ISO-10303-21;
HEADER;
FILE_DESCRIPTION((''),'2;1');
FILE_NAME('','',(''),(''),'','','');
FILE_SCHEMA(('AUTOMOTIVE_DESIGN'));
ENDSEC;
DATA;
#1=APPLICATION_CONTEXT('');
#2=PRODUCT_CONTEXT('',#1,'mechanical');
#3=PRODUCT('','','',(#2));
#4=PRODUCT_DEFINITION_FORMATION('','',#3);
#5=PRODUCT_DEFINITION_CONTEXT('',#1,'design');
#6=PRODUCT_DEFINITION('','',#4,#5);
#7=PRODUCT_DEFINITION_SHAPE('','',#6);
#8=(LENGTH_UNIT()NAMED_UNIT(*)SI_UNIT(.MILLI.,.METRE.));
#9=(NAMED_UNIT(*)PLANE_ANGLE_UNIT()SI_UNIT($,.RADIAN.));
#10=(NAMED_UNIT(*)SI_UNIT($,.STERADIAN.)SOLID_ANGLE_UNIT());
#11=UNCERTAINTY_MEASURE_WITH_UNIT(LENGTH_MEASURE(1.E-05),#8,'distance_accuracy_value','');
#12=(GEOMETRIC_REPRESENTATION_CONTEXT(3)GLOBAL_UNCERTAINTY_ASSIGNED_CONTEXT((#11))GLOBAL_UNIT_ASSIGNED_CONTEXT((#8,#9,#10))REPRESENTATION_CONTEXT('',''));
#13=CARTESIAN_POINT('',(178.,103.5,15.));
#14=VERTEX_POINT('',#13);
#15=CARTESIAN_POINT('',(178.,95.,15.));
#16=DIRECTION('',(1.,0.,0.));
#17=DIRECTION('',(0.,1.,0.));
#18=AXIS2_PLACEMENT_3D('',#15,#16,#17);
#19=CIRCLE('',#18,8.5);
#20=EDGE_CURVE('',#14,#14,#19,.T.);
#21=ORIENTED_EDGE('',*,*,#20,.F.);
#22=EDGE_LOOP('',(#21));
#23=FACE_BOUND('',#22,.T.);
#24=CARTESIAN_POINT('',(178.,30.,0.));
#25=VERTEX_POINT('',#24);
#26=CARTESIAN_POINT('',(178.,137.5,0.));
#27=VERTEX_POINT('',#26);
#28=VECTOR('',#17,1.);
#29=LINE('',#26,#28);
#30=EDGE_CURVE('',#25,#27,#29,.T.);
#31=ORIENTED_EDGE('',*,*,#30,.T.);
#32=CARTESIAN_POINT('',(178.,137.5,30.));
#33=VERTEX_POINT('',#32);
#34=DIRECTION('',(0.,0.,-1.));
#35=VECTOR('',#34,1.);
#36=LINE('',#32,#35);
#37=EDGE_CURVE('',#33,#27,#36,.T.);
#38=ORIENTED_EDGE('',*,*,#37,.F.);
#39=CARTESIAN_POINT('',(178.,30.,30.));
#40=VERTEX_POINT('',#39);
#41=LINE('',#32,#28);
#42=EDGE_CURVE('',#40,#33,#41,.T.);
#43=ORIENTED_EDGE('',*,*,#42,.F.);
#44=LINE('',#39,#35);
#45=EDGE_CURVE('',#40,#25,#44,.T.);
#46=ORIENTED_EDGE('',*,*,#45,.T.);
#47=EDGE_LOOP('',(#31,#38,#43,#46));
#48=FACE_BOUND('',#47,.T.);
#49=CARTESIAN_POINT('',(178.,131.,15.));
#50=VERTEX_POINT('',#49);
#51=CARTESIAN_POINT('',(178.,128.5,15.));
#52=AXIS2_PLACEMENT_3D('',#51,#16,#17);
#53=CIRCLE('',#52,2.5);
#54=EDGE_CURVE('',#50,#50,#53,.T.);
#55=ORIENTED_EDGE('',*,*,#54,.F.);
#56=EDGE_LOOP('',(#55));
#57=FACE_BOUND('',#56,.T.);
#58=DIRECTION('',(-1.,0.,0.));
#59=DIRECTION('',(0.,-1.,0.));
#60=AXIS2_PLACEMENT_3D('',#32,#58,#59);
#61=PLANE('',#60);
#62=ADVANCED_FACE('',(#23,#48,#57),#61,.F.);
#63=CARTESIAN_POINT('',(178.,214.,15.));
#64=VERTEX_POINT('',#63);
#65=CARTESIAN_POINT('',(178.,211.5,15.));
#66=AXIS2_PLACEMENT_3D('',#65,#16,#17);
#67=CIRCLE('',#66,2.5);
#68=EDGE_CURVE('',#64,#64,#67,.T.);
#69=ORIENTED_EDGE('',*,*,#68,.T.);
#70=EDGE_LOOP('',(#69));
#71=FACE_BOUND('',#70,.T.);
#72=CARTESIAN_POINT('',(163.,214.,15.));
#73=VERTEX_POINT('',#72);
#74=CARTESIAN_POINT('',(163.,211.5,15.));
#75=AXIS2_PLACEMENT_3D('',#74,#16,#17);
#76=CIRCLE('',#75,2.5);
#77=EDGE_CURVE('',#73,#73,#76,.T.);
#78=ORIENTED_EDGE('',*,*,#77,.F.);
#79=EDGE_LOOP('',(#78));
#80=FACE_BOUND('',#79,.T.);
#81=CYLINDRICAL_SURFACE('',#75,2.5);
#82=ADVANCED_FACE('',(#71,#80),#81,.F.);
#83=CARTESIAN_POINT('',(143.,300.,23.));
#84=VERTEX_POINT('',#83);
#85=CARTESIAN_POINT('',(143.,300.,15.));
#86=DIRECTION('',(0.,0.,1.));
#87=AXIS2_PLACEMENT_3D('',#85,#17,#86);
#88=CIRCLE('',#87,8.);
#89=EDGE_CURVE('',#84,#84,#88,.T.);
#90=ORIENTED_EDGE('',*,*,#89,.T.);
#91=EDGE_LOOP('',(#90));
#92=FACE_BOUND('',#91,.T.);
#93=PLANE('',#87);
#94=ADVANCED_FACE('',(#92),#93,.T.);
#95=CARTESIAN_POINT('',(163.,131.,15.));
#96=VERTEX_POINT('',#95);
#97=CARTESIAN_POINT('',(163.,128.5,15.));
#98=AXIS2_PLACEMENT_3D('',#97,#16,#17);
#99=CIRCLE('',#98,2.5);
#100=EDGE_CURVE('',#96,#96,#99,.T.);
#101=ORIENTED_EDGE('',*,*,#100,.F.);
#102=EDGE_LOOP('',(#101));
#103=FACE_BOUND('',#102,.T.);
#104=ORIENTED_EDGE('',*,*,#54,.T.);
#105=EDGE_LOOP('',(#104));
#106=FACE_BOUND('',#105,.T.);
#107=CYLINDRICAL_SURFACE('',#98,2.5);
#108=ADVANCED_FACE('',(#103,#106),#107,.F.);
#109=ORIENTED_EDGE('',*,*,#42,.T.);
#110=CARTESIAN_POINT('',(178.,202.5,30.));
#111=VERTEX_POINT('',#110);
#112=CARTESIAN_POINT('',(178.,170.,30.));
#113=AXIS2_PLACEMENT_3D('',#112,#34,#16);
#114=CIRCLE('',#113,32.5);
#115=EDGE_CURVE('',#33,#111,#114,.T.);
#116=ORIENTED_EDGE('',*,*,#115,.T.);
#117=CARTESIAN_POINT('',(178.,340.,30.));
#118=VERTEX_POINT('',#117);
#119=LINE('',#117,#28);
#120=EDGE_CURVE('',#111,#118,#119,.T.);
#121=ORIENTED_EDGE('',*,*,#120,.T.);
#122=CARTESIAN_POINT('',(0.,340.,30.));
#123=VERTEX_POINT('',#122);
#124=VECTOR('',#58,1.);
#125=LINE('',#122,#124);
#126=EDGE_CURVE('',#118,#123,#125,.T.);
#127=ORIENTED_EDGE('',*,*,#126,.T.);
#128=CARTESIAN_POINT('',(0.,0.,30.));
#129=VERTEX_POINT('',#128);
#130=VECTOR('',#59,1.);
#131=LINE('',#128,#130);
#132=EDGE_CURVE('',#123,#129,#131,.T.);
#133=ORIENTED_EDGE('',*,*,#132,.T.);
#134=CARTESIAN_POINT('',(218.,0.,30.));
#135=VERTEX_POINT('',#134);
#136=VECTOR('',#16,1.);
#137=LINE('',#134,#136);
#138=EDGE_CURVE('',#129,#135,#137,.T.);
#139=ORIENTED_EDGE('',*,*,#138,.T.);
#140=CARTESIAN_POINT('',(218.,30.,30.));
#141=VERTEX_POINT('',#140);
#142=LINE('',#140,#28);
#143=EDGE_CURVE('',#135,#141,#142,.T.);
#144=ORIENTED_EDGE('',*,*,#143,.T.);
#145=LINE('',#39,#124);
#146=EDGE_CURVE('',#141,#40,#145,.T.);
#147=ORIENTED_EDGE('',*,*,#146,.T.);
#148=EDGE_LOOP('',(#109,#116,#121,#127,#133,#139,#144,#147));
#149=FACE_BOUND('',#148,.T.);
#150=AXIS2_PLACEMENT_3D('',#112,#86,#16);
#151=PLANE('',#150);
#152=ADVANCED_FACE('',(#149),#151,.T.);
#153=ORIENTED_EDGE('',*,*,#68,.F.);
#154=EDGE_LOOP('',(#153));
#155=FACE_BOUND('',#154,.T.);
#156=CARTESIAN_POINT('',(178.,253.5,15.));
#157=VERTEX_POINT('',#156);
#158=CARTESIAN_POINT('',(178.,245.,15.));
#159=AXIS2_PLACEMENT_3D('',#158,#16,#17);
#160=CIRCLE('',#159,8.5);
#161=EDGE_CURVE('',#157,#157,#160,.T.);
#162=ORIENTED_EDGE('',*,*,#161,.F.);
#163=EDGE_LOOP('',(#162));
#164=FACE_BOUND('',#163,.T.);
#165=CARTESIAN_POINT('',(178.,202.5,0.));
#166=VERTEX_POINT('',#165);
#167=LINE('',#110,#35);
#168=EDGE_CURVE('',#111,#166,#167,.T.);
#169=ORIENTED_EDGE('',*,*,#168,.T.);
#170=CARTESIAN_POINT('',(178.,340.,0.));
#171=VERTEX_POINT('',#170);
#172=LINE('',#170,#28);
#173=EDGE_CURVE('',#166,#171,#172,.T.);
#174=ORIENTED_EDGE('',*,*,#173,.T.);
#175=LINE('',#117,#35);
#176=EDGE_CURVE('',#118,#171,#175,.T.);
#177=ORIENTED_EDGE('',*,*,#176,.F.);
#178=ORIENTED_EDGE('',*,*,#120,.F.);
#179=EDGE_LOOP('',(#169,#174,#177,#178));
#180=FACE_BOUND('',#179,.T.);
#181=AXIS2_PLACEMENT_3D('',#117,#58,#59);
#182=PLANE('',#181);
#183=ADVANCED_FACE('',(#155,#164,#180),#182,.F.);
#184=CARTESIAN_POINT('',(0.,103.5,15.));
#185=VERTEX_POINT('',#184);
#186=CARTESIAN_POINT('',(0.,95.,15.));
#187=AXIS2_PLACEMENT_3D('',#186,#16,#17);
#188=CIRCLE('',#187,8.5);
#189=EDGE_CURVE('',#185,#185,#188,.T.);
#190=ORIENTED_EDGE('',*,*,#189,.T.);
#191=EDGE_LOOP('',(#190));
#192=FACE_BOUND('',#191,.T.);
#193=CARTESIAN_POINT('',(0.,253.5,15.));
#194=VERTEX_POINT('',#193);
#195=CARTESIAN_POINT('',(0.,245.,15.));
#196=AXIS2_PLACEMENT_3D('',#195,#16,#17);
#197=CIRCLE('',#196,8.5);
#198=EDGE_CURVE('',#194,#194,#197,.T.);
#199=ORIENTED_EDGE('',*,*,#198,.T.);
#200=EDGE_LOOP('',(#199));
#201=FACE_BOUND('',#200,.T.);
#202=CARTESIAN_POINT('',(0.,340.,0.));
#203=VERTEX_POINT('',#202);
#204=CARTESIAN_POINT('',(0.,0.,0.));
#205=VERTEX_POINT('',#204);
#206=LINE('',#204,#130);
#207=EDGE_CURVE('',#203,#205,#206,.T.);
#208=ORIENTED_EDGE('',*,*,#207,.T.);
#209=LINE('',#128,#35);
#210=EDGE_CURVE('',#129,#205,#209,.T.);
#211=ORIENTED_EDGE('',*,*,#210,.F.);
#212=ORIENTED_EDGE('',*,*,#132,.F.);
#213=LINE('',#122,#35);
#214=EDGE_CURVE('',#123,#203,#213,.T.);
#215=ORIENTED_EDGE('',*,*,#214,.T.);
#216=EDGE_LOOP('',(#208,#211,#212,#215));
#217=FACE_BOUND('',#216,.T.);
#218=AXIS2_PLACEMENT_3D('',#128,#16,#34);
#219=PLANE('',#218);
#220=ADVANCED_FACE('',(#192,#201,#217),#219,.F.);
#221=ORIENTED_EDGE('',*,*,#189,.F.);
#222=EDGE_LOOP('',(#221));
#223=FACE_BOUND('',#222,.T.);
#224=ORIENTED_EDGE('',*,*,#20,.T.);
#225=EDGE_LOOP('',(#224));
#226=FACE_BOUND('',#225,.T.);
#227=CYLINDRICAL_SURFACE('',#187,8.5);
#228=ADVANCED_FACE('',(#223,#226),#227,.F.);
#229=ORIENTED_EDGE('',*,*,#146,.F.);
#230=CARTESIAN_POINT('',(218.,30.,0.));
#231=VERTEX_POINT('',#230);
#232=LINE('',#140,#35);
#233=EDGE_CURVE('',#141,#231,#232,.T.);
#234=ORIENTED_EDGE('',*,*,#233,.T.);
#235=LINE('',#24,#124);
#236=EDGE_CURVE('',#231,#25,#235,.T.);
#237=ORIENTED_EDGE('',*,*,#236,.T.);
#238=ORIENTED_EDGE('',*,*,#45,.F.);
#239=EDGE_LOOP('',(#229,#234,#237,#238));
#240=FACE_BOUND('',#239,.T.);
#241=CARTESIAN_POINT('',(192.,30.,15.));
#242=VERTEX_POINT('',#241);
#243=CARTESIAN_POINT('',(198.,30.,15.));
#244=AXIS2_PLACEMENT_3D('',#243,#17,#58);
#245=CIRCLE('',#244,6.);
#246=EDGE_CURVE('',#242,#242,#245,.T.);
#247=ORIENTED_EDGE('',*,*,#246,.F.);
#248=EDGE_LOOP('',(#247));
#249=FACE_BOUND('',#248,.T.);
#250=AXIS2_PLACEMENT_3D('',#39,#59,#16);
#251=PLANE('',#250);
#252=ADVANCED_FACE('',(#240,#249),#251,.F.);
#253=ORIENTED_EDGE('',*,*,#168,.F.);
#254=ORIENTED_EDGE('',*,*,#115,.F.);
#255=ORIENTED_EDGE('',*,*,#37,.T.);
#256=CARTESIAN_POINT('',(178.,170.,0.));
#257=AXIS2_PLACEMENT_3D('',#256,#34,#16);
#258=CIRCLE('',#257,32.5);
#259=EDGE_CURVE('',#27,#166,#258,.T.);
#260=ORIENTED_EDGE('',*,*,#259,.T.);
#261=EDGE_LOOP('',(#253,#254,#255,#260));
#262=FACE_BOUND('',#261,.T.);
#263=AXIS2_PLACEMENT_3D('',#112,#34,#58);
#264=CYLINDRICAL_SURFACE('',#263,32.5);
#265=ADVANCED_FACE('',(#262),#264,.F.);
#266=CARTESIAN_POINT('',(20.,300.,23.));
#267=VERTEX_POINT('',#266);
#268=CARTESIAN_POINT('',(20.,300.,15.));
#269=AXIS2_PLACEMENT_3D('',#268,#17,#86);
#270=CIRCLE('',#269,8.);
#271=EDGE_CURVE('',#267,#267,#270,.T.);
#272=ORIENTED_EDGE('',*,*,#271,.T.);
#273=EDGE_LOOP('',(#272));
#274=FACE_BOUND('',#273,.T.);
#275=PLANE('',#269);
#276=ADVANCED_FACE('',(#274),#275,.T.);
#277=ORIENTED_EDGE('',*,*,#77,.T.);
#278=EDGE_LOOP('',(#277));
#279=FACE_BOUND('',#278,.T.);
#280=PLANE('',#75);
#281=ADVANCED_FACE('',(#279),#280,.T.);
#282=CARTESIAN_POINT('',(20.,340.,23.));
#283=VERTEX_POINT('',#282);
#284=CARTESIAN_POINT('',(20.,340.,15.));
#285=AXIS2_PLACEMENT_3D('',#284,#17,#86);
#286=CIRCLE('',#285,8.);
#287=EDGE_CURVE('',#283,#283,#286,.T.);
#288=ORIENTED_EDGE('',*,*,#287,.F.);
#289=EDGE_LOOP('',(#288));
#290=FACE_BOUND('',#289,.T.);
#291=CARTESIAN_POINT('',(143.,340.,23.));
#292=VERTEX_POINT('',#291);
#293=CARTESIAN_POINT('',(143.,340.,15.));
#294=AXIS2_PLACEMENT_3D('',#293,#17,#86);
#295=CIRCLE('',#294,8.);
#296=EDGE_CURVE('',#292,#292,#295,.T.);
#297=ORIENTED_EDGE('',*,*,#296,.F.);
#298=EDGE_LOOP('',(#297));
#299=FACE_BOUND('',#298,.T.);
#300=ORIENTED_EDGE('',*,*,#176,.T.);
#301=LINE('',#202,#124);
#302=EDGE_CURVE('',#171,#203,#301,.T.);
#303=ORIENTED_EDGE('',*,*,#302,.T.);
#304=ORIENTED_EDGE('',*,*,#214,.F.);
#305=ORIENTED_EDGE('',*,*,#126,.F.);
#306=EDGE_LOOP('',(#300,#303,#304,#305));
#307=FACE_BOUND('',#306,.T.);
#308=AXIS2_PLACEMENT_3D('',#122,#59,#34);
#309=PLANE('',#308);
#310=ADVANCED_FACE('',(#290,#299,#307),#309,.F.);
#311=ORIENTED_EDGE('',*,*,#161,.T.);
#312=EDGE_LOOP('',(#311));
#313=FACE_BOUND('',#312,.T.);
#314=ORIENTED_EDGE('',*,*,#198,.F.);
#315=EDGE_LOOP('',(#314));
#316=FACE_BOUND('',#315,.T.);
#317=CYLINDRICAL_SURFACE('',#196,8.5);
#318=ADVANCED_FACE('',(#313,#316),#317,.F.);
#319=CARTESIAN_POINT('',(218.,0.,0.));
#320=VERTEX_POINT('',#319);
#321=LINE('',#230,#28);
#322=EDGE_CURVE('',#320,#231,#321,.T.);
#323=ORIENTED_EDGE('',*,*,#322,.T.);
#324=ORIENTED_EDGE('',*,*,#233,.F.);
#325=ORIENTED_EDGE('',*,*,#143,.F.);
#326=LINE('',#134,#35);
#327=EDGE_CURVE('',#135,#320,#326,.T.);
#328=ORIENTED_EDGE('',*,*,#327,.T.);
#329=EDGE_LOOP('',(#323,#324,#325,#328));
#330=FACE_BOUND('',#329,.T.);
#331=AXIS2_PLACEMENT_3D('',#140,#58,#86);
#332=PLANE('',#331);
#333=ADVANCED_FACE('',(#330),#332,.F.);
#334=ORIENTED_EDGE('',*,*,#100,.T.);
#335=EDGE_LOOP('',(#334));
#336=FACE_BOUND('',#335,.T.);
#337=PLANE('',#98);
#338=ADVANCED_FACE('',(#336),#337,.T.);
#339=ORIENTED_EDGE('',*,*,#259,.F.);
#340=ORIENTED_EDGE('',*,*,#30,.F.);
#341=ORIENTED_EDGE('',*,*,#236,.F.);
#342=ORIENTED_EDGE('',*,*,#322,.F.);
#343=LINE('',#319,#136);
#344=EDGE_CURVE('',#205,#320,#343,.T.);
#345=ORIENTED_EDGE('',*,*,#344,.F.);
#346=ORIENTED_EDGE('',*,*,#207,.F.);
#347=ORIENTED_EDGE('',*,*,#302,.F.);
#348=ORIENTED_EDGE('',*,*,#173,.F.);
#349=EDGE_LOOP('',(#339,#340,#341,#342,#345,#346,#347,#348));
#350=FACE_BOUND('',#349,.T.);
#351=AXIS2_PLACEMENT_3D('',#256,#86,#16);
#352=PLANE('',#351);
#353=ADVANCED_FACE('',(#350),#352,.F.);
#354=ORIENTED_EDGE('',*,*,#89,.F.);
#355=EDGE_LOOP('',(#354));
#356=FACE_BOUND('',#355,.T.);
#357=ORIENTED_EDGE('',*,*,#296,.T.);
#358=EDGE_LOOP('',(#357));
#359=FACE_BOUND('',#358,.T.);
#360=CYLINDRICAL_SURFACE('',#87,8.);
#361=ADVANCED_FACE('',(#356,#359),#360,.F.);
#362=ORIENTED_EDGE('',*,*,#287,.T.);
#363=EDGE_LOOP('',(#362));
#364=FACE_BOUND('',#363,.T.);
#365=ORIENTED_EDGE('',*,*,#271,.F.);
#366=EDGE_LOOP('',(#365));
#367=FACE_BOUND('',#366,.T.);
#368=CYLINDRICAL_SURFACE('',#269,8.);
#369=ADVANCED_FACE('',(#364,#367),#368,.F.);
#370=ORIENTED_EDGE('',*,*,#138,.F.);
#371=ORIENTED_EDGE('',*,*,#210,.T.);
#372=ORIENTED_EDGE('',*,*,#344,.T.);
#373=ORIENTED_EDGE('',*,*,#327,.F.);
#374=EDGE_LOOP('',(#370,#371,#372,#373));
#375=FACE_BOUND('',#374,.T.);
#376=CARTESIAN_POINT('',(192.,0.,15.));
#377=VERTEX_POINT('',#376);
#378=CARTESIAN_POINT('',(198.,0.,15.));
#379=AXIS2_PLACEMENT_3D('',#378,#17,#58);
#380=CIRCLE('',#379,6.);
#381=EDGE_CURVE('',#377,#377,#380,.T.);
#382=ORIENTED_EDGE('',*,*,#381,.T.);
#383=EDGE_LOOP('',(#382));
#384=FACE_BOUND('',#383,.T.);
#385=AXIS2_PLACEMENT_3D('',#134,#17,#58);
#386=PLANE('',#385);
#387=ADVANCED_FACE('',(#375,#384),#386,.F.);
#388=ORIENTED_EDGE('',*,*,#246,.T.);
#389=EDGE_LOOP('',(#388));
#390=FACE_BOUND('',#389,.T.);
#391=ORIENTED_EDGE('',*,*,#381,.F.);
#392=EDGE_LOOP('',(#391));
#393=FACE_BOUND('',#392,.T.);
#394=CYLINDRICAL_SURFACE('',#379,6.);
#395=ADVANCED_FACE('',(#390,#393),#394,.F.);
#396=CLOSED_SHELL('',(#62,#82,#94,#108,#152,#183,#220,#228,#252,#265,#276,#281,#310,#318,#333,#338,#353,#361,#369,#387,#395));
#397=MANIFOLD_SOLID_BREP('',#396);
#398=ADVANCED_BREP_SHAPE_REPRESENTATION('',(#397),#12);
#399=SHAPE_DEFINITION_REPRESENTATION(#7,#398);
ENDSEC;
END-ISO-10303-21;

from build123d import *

# Parameters (mm, degrees)
BOSS_EXTRUDE1_DEPTH = 30
SKETCH2_R           = 8.5
CUT_EXTRUDE1_DEPTH  = 179
LPATTERN1_COUNT     = 2
LPATTERN1_PITCH     = 150
SKETCH3_R           = 2.5
CUT_EXTRUDE2_DEPTH  = 15
LPATTERN2_COUNT     = 2
LPATTERN2_PITCH     = 83
SKETCH4_R           = 6
CUT_EXTRUDE3_DEPTH  = 31
SKETCH5_R           = 8
CUT_EXTRUDE4_DEPTH  = 40


with BuildPart() as part:
    # Sketch1 → Boss-Extrude1 (new body)
    with BuildSketch(Plane.XY):
        with BuildLine():
            Line((0, 0), (0, 340))
            Line((0, 340), (178, 340))
            Line((178, 340), (178, 202.5))
            ThreePointArc((178, 202.5), (145.5, 170), (178, 137.5))
            Line((178, 137.5), (178, 30))
            Line((178, 30), (218, 30))
            Line((218, 30), (218, 0))
            Line((218, 0), (0, 0))
        make_face()
    extrude(amount=BOSS_EXTRUDE1_DEPTH)

    # Sketch2 → Cut-Extrude1 (cut, through all)
    with BuildSketch(Plane(origin=(178, 0, 0), x_dir=(0, 0, -1), z_dir=(1, 0, 0))):
        with Locations((-15, 95)):
            Circle(SKETCH2_R)
    cut_extrude1 = extrude(amount=-CUT_EXTRUDE1_DEPTH, mode=Mode.SUBTRACT)

    # LPattern1: Cut-Extrude1 ×2
    with Locations(*[(0, i * LPATTERN1_PITCH, 0) for i in range(1, LPATTERN1_COUNT)]):
        add(cut_extrude1, mode=Mode.SUBTRACT)

    # Sketch3 → Cut-Extrude2 (cut)
    with BuildSketch(Plane(origin=(178, 0, 0), x_dir=(0, 0, -1), z_dir=(1, 0, 0))):
        with Locations((-15, 128.5)):
            Circle(SKETCH3_R)
    cut_extrude2 = extrude(amount=-CUT_EXTRUDE2_DEPTH, mode=Mode.SUBTRACT)

    # LPattern2: Cut-Extrude2 ×2
    with Locations(*[(0, i * LPATTERN2_PITCH, 0) for i in range(1, LPATTERN2_COUNT)]):
        add(cut_extrude2, mode=Mode.SUBTRACT)

    # Sketch4 → Cut-Extrude3 (cut, through all)
    with BuildSketch(Plane(origin=(0, 30, 0), x_dir=(1, 0, 0), z_dir=(0, 1, 0))):
        with Locations((198, -15)):
            Circle(SKETCH4_R)
    extrude(amount=-CUT_EXTRUDE3_DEPTH, mode=Mode.SUBTRACT)

    # Sketch5 → Cut-Extrude4 (cut)
    with BuildSketch(Plane(origin=(0, 340, 0), x_dir=(1, 0, 0), z_dir=(0, 1, 0))):
        with Locations((20, -15)):
            Circle(SKETCH5_R)
        with Locations((143, -15)):
            Circle(SKETCH5_R)
    extrude(amount=-CUT_EXTRUDE4_DEPTH, mode=Mode.SUBTRACT)


solid = part.part
